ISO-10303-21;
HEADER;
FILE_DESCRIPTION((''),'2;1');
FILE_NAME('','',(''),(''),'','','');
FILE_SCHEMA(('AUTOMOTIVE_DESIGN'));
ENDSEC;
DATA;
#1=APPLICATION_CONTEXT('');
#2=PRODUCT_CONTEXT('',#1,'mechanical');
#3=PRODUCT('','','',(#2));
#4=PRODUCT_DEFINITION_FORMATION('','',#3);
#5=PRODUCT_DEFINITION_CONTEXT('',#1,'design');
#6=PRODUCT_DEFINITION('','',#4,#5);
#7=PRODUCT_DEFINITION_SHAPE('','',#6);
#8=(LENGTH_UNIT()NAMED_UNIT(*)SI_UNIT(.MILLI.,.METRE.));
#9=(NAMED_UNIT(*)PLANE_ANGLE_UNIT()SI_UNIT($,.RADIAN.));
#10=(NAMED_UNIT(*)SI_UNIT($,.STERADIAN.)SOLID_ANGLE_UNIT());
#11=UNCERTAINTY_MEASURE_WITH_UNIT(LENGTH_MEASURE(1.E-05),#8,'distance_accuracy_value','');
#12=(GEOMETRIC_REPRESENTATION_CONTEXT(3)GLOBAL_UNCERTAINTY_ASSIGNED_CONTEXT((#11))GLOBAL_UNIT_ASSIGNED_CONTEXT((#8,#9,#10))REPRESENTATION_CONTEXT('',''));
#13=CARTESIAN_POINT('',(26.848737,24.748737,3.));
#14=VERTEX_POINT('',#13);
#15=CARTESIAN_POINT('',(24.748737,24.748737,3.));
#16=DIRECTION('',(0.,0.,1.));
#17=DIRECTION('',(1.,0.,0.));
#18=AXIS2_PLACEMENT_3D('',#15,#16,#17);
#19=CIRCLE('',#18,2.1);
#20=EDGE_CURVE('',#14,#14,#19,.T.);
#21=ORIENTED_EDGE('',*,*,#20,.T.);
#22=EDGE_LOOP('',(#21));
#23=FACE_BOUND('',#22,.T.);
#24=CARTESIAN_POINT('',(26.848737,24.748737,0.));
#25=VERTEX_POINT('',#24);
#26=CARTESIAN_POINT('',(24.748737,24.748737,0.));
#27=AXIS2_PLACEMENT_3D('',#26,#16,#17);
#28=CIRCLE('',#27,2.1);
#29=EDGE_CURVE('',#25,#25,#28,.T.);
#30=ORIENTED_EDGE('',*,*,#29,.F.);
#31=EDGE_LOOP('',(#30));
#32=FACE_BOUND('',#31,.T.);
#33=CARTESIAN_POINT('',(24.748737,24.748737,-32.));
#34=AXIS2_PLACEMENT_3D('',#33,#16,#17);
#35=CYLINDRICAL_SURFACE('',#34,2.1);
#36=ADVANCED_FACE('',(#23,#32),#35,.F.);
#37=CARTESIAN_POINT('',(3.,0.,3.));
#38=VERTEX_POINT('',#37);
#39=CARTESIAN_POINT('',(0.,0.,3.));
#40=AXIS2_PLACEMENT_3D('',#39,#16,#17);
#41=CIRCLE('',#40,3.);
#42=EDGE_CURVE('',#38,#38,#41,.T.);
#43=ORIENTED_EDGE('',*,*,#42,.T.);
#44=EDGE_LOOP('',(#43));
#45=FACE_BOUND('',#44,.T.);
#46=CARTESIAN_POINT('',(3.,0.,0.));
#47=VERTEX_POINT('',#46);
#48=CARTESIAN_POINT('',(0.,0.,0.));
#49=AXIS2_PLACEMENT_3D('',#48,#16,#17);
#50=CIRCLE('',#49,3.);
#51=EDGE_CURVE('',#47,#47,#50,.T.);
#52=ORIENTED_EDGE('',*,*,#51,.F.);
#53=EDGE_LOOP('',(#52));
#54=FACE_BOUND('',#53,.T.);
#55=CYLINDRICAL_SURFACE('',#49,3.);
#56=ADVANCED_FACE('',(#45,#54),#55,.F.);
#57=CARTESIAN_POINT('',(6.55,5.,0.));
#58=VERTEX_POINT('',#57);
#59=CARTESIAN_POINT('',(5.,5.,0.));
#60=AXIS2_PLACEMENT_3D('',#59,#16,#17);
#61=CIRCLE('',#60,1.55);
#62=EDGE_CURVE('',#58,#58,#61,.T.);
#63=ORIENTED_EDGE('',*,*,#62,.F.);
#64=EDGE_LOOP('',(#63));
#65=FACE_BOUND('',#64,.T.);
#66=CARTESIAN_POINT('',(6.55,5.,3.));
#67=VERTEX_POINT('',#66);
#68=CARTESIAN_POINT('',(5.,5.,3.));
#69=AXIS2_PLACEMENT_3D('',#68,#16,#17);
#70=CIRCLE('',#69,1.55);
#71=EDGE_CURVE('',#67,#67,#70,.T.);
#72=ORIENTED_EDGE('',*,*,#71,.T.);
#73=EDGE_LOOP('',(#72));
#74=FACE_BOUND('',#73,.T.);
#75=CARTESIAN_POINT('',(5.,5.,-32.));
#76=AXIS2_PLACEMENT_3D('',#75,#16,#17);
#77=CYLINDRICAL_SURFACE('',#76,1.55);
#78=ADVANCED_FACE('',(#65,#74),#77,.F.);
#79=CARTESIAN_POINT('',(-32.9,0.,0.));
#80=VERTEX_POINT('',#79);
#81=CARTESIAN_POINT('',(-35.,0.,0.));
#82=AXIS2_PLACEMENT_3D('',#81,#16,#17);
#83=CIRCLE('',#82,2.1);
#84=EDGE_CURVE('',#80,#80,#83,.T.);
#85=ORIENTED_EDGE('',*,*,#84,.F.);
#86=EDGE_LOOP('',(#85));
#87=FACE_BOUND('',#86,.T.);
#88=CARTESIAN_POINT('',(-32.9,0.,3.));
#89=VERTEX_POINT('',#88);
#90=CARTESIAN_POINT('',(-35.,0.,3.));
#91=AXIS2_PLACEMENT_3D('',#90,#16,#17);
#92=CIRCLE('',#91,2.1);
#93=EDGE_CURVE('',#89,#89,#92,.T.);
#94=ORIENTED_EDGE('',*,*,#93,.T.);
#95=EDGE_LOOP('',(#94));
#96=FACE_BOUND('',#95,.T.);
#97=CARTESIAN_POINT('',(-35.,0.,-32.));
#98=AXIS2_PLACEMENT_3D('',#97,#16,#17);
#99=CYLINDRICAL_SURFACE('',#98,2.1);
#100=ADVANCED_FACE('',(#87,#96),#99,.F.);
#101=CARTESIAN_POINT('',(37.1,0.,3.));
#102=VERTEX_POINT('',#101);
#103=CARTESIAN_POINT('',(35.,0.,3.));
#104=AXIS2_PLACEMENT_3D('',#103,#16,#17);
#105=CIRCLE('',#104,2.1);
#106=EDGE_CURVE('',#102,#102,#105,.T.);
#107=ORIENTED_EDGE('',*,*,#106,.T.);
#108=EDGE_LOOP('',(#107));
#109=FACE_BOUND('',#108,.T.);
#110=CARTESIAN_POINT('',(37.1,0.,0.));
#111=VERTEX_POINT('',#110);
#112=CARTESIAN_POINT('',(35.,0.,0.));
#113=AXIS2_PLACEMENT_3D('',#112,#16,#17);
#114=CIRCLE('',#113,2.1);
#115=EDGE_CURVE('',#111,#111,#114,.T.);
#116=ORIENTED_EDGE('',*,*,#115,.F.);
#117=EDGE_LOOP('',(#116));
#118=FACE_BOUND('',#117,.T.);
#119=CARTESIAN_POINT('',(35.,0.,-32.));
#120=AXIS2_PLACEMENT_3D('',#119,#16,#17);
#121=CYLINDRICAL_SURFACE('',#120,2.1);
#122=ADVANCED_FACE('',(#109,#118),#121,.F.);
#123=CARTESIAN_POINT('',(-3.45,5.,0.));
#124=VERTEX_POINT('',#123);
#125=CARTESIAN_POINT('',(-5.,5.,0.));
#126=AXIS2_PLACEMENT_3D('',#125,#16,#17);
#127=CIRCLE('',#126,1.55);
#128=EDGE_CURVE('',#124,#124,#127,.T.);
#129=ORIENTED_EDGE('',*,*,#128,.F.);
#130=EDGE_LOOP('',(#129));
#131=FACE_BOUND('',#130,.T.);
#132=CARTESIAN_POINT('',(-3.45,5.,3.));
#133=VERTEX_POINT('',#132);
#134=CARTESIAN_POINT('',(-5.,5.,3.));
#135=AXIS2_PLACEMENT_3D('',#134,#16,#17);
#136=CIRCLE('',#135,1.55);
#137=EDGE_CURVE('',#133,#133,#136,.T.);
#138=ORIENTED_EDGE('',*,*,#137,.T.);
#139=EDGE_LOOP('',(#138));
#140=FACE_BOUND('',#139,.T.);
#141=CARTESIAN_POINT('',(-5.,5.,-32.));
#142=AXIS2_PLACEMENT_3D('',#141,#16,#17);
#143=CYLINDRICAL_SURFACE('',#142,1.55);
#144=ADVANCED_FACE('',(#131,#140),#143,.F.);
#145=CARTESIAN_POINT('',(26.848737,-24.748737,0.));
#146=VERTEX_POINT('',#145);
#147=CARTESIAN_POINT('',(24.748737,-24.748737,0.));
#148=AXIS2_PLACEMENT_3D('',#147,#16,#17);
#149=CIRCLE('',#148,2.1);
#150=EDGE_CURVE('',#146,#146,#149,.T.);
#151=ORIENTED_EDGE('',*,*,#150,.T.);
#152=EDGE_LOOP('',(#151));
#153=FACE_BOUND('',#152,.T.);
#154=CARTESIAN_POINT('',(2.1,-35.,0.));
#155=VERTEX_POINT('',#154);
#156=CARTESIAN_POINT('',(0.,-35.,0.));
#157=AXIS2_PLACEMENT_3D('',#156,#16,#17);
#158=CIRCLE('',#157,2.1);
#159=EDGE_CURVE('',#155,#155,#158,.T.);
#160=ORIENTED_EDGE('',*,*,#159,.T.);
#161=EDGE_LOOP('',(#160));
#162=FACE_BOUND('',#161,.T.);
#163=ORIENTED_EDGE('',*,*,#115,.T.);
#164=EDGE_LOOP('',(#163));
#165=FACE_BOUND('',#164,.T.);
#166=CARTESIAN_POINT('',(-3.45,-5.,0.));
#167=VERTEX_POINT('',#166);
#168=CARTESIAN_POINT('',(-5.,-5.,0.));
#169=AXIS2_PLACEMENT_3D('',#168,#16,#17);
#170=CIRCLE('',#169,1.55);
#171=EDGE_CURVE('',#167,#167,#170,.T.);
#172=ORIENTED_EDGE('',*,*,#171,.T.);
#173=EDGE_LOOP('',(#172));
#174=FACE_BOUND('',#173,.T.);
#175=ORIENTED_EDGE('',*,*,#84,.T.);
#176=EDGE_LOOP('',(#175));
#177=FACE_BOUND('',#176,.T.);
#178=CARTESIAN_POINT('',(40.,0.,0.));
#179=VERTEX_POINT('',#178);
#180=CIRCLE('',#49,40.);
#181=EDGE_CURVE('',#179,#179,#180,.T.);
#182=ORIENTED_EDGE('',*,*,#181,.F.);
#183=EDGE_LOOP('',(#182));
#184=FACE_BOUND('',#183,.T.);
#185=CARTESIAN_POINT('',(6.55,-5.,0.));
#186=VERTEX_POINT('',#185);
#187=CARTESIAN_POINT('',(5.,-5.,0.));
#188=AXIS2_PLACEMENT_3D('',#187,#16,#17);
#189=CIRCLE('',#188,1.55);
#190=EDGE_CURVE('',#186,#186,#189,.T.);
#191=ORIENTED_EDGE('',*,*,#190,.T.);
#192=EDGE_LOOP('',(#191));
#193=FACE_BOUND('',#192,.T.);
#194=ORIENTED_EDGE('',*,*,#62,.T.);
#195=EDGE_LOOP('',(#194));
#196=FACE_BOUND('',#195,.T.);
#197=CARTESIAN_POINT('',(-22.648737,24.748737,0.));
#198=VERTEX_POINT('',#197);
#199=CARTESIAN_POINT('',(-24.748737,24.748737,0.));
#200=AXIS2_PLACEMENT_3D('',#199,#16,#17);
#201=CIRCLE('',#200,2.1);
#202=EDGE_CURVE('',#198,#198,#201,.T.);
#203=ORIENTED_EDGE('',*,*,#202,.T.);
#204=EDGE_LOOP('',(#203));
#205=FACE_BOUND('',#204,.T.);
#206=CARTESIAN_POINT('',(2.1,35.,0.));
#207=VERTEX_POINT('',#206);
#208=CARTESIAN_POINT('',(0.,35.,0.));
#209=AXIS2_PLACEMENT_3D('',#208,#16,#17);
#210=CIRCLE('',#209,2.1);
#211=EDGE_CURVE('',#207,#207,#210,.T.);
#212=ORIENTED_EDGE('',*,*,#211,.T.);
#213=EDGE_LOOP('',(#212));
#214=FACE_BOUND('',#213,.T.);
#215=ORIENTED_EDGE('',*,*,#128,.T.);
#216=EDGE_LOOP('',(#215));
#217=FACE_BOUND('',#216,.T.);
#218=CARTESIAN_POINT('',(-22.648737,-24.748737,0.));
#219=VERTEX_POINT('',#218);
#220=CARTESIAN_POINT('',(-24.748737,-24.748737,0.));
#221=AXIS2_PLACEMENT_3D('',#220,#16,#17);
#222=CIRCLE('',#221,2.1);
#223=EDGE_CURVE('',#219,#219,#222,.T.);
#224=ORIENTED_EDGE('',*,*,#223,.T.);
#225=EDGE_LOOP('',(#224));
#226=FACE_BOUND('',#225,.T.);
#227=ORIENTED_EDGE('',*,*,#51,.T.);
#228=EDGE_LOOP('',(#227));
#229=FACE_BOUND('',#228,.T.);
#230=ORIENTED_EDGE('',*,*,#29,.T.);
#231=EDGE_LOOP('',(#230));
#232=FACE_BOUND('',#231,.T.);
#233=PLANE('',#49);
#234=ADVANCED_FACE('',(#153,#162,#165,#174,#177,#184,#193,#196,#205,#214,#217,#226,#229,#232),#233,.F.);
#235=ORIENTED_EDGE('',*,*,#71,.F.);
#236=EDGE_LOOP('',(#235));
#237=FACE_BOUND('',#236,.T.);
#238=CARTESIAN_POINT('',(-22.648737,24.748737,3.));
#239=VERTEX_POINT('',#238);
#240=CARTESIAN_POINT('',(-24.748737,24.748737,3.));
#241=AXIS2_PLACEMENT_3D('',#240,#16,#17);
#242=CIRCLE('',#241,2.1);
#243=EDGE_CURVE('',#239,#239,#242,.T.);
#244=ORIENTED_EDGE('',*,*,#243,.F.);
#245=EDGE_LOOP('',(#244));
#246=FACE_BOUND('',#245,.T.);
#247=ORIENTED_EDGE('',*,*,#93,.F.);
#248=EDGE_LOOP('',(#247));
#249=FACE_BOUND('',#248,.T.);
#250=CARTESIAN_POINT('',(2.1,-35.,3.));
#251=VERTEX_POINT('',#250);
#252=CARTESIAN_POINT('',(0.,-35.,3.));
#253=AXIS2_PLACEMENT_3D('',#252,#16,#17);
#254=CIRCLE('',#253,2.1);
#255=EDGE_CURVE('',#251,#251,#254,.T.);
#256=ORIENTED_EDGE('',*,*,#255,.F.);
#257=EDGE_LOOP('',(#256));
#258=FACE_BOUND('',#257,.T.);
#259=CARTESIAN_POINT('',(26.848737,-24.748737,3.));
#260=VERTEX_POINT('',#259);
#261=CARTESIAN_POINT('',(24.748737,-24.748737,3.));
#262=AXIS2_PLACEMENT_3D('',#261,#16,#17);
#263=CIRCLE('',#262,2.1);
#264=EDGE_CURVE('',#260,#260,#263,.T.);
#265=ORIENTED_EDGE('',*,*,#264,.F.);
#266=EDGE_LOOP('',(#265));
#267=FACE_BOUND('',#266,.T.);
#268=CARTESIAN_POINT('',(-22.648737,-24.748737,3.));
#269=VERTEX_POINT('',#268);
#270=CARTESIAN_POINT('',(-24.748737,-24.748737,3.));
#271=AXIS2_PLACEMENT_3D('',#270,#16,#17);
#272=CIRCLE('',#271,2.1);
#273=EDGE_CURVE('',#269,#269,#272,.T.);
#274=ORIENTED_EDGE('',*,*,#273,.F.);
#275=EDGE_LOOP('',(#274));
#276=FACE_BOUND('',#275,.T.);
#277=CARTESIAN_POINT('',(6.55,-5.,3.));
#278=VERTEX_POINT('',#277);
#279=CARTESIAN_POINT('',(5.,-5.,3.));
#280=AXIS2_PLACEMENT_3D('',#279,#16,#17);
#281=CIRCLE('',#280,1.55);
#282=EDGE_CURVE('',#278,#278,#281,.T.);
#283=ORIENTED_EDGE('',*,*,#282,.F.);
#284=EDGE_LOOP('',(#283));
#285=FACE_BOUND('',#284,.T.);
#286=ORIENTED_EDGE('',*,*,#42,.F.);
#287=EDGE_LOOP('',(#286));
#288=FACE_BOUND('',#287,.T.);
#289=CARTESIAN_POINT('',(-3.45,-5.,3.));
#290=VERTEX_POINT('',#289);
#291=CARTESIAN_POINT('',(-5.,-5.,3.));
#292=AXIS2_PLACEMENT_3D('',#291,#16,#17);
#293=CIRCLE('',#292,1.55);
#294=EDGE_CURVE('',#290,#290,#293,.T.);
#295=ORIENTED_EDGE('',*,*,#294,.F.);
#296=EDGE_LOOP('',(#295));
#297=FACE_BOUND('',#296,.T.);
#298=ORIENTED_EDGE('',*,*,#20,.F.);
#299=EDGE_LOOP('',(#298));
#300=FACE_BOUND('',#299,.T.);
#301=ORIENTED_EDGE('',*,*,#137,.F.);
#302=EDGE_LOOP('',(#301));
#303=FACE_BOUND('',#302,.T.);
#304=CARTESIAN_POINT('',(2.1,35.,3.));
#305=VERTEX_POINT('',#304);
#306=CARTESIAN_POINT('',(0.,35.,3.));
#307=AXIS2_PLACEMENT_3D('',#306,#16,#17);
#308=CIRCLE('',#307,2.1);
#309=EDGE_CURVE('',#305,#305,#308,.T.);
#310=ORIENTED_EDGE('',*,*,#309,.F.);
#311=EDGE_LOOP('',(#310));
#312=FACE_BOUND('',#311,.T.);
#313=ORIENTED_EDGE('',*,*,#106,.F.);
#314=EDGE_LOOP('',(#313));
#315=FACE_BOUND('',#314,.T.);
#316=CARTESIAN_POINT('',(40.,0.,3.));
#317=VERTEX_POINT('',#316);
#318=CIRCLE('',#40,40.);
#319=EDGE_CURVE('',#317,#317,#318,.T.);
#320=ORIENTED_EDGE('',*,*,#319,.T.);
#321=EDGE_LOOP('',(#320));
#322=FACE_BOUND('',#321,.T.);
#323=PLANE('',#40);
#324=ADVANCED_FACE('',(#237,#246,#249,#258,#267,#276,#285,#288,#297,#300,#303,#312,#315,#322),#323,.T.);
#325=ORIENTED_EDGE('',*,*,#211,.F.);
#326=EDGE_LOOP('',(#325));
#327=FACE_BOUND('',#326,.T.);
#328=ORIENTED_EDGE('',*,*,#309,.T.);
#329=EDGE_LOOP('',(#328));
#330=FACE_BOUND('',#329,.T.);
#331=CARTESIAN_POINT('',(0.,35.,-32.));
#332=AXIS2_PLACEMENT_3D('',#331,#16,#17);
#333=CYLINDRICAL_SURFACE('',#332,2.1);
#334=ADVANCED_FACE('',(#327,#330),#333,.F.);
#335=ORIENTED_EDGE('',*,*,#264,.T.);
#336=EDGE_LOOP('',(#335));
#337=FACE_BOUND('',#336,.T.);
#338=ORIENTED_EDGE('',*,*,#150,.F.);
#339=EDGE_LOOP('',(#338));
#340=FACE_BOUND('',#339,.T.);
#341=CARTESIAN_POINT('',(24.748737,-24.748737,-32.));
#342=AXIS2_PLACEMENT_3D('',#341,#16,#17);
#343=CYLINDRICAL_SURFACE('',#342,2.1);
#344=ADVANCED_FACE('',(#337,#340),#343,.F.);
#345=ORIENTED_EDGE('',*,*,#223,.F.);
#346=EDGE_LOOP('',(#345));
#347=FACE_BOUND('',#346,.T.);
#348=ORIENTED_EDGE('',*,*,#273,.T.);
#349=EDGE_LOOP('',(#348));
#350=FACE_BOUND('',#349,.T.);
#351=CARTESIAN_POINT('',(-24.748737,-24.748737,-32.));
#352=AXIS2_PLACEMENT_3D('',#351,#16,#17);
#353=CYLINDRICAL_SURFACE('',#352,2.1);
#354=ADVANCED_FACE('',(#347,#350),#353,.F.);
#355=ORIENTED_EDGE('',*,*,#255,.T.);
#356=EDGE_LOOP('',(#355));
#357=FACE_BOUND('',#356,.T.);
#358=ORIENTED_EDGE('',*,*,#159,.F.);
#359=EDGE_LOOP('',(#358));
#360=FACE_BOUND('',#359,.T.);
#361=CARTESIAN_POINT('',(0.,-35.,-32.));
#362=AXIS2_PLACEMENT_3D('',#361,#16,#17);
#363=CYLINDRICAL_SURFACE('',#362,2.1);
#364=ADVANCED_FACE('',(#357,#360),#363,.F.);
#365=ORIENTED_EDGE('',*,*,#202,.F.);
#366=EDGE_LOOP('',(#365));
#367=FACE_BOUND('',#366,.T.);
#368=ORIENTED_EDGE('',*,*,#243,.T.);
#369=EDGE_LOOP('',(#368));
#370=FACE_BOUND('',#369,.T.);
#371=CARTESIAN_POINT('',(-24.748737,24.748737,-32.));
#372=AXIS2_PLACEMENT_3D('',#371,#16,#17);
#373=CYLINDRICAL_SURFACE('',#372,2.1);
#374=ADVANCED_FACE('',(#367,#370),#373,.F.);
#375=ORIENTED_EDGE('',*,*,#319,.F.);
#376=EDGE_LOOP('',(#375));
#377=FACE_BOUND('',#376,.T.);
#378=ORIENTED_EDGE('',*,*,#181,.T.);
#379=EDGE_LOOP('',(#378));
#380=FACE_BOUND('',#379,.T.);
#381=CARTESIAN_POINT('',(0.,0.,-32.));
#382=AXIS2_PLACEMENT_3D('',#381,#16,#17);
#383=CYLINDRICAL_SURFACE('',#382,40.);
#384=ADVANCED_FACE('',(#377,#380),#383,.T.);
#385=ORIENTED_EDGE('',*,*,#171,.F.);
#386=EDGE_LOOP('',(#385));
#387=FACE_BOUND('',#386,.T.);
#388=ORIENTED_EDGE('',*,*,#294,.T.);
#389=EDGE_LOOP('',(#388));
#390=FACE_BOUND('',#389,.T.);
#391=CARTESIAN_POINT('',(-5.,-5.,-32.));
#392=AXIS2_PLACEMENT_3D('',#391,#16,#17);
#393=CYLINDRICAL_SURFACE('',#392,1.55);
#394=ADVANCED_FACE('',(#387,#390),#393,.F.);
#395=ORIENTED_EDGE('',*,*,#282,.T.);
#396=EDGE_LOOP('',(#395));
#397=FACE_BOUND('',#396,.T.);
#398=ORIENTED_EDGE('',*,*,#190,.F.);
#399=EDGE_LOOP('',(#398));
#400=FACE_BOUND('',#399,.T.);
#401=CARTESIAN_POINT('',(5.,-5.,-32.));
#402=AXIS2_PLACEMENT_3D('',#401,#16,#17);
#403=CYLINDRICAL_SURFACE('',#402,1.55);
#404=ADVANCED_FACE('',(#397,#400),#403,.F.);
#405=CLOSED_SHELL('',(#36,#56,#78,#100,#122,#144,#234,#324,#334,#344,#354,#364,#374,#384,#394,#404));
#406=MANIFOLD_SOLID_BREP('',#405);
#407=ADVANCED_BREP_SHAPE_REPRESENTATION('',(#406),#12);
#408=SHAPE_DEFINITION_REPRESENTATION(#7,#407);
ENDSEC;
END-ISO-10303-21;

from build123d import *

# Parameters (mm, degrees)
SKETCH_3_R           = 48
EXTRUDE_2_DEPTH      = 3
SKETCH_4_R           = 3
CUT_EXTRUDE_1_DEPTH  = 3
EXTRUDE_3_DEPTH      = 35
SKETCH_6_R           = 3
SKETCH_6_R_2         = 1.5
CUT_EXTRUDE_2_DEPTH  = 35
SKETCH_7_R           = 1.55
CUT_EXTRUDE_5_DEPTH  = 35
CUT_EXTRUDE_START    = -35
SKETCH_9_R           = 48
SKETCH_9_R_2         = 40
CUT_EXTRUDE_6_DEPTH  = 35
SKETCH_10_R          = 40
CUT_EXTRUDE_7_DEPTH  = 35
SKETCH_11_W          = 111.588244868
SKETCH_11_H          = 82.223617215
CUT_EXTRUDE_8_DEPTH  = 35
SKETCH_12_R          = 1
CUT_EXTRUDE_9_DEPTH  = 35
SKETCH_13_R          = 2.1
CUT_EXTRUDE_10_DEPTH = 35
SKETCH_14_R          = 1.55
CUT_EXTRUDE_11_DEPTH = 35


with BuildPart() as part:
    # 草图3 → 凸台-拉伸2 (new body)
    with BuildSketch(Plane.XY):
        Circle(SKETCH_3_R)
    extrude(amount=EXTRUDE_2_DEPTH)

    # 草图4 → 切除-拉伸1 (cut)
    with BuildSketch(Plane.XY.offset(3)):
        Circle(SKETCH_4_R)
    extrude(amount=-CUT_EXTRUDE_1_DEPTH, mode=Mode.SUBTRACT)

    # 草图5 → 凸台-拉伸3 (add)
    with BuildSketch(Plane.XY.offset(3)):
        with BuildLine():
            ThreePointArc((0, 12.5), (0.146446609, 12.853553391), (0.5, 13))
            Line((0.5, 13), (39.5, 13))
            ThreePointArc((39.5, 13), (39.853553391, 12.853553391), (40, 12.5))
            Line((40, 12.5), (40, -12.5))
            ThreePointArc((40, -12.5), (39.853553391, -12.853553391), (39.5, -13))
            Line((39.5, -13), (0.5, -13))
            ThreePointArc((0.5, -13), (0.146446609, -12.853553391), (0, -12.5))
            Line((0, -12.5), (0, -11.5))
            ThreePointArc((0, -11.5), (0.146446609, -11.146446609), (0.5, -11))
            Line((0.5, -11), (37.5, -11))
            ThreePointArc((37.5, -11), (37.853553391, -10.853553391), (38, -10.5))
            Line((38, -10.5), (38, 0))
            Line((38, 0), (38, 10.5))
            ThreePointArc((38, 10.5), (37.853553391, 10.853553391), (37.5, 11))
            Line((37.5, 11), (0.5, 11))
            ThreePointArc((0.5, 11), (0.146446609, 11.146446609), (0, 11.5))
            Line((0, 11.5), (0, 12.5))
        make_face()
    extrude(amount=EXTRUDE_3_DEPTH)

    # 草图6 → 切除-拉伸2 (cut)
    with BuildSketch(Plane(origin=(40, 0, 0), x_dir=(0, 0, -1), z_dir=(1, 0, 0))):
        with Locations((-25, 0)):
            Circle(SKETCH_6_R)
        with Locations((-20, -5)):
            Circle(SKETCH_6_R_2)
        with Locations((-20, 5)):
            Circle(SKETCH_6_R_2)
        with Locations((-30, -5)):
            Circle(SKETCH_6_R_2)
        with Locations((-30, 5)):
            Circle(SKETCH_6_R_2)
    extrude(amount=-CUT_EXTRUDE_2_DEPTH, mode=Mode.SUBTRACT)

    # 草图7 → 切除-拉伸5 (cut)
    with BuildSketch(Plane.XY.offset(3)):
        with Locations((-35, 0)):
            Circle(SKETCH_7_R)
        with Locations((-24.748737342, 24.748737342)):
            Circle(SKETCH_7_R)
        with Locations((0, 35)):
            Circle(SKETCH_7_R)
        with Locations((24.748737342, 24.748737342)):
            Circle(SKETCH_7_R)
        with Locations((35, 0)):
            Circle(SKETCH_7_R)
        with Locations((24.748737342, -24.748737342)):
            Circle(SKETCH_7_R)
        with Locations((0, -35)):
            Circle(SKETCH_7_R)
        with Locations((-24.748737342, -24.748737342)):
            Circle(SKETCH_7_R)
    extrude(amount=-CUT_EXTRUDE_5_DEPTH, mode=Mode.SUBTRACT)

    # 草图9 → 切除-拉伸6 (cut)
    with BuildSketch(Plane.XY.offset(3).offset(CUT_EXTRUDE_START)):
        Circle(SKETCH_9_R)
        Circle(SKETCH_9_R_2, mode=Mode.SUBTRACT)
    extrude(amount=CUT_EXTRUDE_6_DEPTH, mode=Mode.SUBTRACT)

    # 草图10 → 切除-拉伸7 (cut)
    with BuildSketch(Plane.XY.offset(3)):
        Circle(SKETCH_10_R)
    extrude(amount=CUT_EXTRUDE_7_DEPTH, mode=Mode.SUBTRACT)


with BuildPart() as cut_extrude_7_piece_1:
    # of the separate pieces the step leaves, piece 1, a body of its own (cut_extrude_7_pieces)
    add(part.part.solids().sort_by_distance((40, 0, 0))[0])

    # 草图12 → 切除-拉伸9 (cut)
    with BuildSketch(Plane.XY.offset(3)):
        with BuildLine():
            ThreePointArc((-4, 5), (-5.707106781, 5.707106781), (-5, 4))
            Line((-5, 4), (-5, 5))
            Line((-5, 5), (-4, 5))
        make_face()
        with BuildLine():
            Line((-5, 5), (-5, 4))
            ThreePointArc((-5, 4), (-4.292893219, 4.292893219), (-4, 5))
            Line((-4, 5), (-5, 5))
        make_face()
        with Locations((-5, -5)):
            Circle(SKETCH_12_R)
        with Locations((5, -5)):
            Circle(SKETCH_12_R)
        with Locations((5, 5)):
            Circle(SKETCH_12_R)
    extrude(amount=-CUT_EXTRUDE_9_DEPTH, mode=Mode.SUBTRACT)

    # 草图13 → 切除-拉伸10 (cut)
    with BuildSketch(Plane.XY.offset(3)):
        with Locations((0, 35)):
            Circle(SKETCH_13_R)
        with Locations((24.748737342, 24.748737342)):
            Circle(SKETCH_13_R)
        with Locations((35, 0)):
            Circle(SKETCH_13_R)
        with Locations((24.748737342, -24.748737342)):
            Circle(SKETCH_13_R)
        with Locations((0, -35)):
            Circle(SKETCH_13_R)
        with Locations((-24.748737342, -24.748737342)):
            Circle(SKETCH_13_R)
        with Locations((-35, 0)):
            Circle(SKETCH_13_R)
        with Locations((-24.748737342, 24.748737342)):
            Circle(SKETCH_13_R)
    extrude(amount=-CUT_EXTRUDE_10_DEPTH, mode=Mode.SUBTRACT)

    # 草图14 → 切除-拉伸11 (cut)
    with BuildSketch(Plane.XY.offset(3)):
        with Locations((-5, 5)):
            Circle(SKETCH_14_R)
        with Locations((5, 5)):
            Circle(SKETCH_14_R)
        with Locations((5, -5)):
            Circle(SKETCH_14_R)
        with Locations((-5, -5)):
            Circle(SKETCH_14_R)
    extrude(amount=-CUT_EXTRUDE_11_DEPTH, mode=Mode.SUBTRACT)


with BuildPart() as cut_extrude_7_piece_2:
    # of the separate pieces the step leaves, piece 2, a body of its own (cut_extrude_7_pieces)
    add(part.part.solids().sort_by_distance((40, -12.5, 3))[0])


with BuildPart() as cut_extrude_7_piece_3:
    # of the separate pieces the step leaves, piece 3, a body of its own (cut_extrude_7_pieces)
    add(part.part.solids().sort_by_distance((39.5, 13, 3))[0])


with BuildPart() as cut_extrude_8_tool:
    # 草图11 → 切除-拉伸8 (new body)
    with BuildSketch(Plane(origin=(40, 0, 0), x_dir=(0, 0, -1), z_dir=(1, 0, 0))):
        with Locations((-58.794122434, 24.320721942)):
            Rectangle(SKETCH_11_W, SKETCH_11_H)
    extrude(amount=-CUT_EXTRUDE_8_DEPTH)


with BuildPart() as cut_extrude_7_piece_2_1:
    add(cut_extrude_7_piece_2.part)

    # 切除-拉伸8: cut by cut_extrude_8_tool
    add(cut_extrude_8_tool.part, mode=Mode.SUBTRACT)


with BuildPart() as cut_extrude_7_piece_3_1:
    add(cut_extrude_7_piece_3.part)

    # 切除-拉伸8: cut by cut_extrude_8_tool
    add(cut_extrude_8_tool.part, mode=Mode.SUBTRACT)


solid = cut_extrude_7_piece_1.part
